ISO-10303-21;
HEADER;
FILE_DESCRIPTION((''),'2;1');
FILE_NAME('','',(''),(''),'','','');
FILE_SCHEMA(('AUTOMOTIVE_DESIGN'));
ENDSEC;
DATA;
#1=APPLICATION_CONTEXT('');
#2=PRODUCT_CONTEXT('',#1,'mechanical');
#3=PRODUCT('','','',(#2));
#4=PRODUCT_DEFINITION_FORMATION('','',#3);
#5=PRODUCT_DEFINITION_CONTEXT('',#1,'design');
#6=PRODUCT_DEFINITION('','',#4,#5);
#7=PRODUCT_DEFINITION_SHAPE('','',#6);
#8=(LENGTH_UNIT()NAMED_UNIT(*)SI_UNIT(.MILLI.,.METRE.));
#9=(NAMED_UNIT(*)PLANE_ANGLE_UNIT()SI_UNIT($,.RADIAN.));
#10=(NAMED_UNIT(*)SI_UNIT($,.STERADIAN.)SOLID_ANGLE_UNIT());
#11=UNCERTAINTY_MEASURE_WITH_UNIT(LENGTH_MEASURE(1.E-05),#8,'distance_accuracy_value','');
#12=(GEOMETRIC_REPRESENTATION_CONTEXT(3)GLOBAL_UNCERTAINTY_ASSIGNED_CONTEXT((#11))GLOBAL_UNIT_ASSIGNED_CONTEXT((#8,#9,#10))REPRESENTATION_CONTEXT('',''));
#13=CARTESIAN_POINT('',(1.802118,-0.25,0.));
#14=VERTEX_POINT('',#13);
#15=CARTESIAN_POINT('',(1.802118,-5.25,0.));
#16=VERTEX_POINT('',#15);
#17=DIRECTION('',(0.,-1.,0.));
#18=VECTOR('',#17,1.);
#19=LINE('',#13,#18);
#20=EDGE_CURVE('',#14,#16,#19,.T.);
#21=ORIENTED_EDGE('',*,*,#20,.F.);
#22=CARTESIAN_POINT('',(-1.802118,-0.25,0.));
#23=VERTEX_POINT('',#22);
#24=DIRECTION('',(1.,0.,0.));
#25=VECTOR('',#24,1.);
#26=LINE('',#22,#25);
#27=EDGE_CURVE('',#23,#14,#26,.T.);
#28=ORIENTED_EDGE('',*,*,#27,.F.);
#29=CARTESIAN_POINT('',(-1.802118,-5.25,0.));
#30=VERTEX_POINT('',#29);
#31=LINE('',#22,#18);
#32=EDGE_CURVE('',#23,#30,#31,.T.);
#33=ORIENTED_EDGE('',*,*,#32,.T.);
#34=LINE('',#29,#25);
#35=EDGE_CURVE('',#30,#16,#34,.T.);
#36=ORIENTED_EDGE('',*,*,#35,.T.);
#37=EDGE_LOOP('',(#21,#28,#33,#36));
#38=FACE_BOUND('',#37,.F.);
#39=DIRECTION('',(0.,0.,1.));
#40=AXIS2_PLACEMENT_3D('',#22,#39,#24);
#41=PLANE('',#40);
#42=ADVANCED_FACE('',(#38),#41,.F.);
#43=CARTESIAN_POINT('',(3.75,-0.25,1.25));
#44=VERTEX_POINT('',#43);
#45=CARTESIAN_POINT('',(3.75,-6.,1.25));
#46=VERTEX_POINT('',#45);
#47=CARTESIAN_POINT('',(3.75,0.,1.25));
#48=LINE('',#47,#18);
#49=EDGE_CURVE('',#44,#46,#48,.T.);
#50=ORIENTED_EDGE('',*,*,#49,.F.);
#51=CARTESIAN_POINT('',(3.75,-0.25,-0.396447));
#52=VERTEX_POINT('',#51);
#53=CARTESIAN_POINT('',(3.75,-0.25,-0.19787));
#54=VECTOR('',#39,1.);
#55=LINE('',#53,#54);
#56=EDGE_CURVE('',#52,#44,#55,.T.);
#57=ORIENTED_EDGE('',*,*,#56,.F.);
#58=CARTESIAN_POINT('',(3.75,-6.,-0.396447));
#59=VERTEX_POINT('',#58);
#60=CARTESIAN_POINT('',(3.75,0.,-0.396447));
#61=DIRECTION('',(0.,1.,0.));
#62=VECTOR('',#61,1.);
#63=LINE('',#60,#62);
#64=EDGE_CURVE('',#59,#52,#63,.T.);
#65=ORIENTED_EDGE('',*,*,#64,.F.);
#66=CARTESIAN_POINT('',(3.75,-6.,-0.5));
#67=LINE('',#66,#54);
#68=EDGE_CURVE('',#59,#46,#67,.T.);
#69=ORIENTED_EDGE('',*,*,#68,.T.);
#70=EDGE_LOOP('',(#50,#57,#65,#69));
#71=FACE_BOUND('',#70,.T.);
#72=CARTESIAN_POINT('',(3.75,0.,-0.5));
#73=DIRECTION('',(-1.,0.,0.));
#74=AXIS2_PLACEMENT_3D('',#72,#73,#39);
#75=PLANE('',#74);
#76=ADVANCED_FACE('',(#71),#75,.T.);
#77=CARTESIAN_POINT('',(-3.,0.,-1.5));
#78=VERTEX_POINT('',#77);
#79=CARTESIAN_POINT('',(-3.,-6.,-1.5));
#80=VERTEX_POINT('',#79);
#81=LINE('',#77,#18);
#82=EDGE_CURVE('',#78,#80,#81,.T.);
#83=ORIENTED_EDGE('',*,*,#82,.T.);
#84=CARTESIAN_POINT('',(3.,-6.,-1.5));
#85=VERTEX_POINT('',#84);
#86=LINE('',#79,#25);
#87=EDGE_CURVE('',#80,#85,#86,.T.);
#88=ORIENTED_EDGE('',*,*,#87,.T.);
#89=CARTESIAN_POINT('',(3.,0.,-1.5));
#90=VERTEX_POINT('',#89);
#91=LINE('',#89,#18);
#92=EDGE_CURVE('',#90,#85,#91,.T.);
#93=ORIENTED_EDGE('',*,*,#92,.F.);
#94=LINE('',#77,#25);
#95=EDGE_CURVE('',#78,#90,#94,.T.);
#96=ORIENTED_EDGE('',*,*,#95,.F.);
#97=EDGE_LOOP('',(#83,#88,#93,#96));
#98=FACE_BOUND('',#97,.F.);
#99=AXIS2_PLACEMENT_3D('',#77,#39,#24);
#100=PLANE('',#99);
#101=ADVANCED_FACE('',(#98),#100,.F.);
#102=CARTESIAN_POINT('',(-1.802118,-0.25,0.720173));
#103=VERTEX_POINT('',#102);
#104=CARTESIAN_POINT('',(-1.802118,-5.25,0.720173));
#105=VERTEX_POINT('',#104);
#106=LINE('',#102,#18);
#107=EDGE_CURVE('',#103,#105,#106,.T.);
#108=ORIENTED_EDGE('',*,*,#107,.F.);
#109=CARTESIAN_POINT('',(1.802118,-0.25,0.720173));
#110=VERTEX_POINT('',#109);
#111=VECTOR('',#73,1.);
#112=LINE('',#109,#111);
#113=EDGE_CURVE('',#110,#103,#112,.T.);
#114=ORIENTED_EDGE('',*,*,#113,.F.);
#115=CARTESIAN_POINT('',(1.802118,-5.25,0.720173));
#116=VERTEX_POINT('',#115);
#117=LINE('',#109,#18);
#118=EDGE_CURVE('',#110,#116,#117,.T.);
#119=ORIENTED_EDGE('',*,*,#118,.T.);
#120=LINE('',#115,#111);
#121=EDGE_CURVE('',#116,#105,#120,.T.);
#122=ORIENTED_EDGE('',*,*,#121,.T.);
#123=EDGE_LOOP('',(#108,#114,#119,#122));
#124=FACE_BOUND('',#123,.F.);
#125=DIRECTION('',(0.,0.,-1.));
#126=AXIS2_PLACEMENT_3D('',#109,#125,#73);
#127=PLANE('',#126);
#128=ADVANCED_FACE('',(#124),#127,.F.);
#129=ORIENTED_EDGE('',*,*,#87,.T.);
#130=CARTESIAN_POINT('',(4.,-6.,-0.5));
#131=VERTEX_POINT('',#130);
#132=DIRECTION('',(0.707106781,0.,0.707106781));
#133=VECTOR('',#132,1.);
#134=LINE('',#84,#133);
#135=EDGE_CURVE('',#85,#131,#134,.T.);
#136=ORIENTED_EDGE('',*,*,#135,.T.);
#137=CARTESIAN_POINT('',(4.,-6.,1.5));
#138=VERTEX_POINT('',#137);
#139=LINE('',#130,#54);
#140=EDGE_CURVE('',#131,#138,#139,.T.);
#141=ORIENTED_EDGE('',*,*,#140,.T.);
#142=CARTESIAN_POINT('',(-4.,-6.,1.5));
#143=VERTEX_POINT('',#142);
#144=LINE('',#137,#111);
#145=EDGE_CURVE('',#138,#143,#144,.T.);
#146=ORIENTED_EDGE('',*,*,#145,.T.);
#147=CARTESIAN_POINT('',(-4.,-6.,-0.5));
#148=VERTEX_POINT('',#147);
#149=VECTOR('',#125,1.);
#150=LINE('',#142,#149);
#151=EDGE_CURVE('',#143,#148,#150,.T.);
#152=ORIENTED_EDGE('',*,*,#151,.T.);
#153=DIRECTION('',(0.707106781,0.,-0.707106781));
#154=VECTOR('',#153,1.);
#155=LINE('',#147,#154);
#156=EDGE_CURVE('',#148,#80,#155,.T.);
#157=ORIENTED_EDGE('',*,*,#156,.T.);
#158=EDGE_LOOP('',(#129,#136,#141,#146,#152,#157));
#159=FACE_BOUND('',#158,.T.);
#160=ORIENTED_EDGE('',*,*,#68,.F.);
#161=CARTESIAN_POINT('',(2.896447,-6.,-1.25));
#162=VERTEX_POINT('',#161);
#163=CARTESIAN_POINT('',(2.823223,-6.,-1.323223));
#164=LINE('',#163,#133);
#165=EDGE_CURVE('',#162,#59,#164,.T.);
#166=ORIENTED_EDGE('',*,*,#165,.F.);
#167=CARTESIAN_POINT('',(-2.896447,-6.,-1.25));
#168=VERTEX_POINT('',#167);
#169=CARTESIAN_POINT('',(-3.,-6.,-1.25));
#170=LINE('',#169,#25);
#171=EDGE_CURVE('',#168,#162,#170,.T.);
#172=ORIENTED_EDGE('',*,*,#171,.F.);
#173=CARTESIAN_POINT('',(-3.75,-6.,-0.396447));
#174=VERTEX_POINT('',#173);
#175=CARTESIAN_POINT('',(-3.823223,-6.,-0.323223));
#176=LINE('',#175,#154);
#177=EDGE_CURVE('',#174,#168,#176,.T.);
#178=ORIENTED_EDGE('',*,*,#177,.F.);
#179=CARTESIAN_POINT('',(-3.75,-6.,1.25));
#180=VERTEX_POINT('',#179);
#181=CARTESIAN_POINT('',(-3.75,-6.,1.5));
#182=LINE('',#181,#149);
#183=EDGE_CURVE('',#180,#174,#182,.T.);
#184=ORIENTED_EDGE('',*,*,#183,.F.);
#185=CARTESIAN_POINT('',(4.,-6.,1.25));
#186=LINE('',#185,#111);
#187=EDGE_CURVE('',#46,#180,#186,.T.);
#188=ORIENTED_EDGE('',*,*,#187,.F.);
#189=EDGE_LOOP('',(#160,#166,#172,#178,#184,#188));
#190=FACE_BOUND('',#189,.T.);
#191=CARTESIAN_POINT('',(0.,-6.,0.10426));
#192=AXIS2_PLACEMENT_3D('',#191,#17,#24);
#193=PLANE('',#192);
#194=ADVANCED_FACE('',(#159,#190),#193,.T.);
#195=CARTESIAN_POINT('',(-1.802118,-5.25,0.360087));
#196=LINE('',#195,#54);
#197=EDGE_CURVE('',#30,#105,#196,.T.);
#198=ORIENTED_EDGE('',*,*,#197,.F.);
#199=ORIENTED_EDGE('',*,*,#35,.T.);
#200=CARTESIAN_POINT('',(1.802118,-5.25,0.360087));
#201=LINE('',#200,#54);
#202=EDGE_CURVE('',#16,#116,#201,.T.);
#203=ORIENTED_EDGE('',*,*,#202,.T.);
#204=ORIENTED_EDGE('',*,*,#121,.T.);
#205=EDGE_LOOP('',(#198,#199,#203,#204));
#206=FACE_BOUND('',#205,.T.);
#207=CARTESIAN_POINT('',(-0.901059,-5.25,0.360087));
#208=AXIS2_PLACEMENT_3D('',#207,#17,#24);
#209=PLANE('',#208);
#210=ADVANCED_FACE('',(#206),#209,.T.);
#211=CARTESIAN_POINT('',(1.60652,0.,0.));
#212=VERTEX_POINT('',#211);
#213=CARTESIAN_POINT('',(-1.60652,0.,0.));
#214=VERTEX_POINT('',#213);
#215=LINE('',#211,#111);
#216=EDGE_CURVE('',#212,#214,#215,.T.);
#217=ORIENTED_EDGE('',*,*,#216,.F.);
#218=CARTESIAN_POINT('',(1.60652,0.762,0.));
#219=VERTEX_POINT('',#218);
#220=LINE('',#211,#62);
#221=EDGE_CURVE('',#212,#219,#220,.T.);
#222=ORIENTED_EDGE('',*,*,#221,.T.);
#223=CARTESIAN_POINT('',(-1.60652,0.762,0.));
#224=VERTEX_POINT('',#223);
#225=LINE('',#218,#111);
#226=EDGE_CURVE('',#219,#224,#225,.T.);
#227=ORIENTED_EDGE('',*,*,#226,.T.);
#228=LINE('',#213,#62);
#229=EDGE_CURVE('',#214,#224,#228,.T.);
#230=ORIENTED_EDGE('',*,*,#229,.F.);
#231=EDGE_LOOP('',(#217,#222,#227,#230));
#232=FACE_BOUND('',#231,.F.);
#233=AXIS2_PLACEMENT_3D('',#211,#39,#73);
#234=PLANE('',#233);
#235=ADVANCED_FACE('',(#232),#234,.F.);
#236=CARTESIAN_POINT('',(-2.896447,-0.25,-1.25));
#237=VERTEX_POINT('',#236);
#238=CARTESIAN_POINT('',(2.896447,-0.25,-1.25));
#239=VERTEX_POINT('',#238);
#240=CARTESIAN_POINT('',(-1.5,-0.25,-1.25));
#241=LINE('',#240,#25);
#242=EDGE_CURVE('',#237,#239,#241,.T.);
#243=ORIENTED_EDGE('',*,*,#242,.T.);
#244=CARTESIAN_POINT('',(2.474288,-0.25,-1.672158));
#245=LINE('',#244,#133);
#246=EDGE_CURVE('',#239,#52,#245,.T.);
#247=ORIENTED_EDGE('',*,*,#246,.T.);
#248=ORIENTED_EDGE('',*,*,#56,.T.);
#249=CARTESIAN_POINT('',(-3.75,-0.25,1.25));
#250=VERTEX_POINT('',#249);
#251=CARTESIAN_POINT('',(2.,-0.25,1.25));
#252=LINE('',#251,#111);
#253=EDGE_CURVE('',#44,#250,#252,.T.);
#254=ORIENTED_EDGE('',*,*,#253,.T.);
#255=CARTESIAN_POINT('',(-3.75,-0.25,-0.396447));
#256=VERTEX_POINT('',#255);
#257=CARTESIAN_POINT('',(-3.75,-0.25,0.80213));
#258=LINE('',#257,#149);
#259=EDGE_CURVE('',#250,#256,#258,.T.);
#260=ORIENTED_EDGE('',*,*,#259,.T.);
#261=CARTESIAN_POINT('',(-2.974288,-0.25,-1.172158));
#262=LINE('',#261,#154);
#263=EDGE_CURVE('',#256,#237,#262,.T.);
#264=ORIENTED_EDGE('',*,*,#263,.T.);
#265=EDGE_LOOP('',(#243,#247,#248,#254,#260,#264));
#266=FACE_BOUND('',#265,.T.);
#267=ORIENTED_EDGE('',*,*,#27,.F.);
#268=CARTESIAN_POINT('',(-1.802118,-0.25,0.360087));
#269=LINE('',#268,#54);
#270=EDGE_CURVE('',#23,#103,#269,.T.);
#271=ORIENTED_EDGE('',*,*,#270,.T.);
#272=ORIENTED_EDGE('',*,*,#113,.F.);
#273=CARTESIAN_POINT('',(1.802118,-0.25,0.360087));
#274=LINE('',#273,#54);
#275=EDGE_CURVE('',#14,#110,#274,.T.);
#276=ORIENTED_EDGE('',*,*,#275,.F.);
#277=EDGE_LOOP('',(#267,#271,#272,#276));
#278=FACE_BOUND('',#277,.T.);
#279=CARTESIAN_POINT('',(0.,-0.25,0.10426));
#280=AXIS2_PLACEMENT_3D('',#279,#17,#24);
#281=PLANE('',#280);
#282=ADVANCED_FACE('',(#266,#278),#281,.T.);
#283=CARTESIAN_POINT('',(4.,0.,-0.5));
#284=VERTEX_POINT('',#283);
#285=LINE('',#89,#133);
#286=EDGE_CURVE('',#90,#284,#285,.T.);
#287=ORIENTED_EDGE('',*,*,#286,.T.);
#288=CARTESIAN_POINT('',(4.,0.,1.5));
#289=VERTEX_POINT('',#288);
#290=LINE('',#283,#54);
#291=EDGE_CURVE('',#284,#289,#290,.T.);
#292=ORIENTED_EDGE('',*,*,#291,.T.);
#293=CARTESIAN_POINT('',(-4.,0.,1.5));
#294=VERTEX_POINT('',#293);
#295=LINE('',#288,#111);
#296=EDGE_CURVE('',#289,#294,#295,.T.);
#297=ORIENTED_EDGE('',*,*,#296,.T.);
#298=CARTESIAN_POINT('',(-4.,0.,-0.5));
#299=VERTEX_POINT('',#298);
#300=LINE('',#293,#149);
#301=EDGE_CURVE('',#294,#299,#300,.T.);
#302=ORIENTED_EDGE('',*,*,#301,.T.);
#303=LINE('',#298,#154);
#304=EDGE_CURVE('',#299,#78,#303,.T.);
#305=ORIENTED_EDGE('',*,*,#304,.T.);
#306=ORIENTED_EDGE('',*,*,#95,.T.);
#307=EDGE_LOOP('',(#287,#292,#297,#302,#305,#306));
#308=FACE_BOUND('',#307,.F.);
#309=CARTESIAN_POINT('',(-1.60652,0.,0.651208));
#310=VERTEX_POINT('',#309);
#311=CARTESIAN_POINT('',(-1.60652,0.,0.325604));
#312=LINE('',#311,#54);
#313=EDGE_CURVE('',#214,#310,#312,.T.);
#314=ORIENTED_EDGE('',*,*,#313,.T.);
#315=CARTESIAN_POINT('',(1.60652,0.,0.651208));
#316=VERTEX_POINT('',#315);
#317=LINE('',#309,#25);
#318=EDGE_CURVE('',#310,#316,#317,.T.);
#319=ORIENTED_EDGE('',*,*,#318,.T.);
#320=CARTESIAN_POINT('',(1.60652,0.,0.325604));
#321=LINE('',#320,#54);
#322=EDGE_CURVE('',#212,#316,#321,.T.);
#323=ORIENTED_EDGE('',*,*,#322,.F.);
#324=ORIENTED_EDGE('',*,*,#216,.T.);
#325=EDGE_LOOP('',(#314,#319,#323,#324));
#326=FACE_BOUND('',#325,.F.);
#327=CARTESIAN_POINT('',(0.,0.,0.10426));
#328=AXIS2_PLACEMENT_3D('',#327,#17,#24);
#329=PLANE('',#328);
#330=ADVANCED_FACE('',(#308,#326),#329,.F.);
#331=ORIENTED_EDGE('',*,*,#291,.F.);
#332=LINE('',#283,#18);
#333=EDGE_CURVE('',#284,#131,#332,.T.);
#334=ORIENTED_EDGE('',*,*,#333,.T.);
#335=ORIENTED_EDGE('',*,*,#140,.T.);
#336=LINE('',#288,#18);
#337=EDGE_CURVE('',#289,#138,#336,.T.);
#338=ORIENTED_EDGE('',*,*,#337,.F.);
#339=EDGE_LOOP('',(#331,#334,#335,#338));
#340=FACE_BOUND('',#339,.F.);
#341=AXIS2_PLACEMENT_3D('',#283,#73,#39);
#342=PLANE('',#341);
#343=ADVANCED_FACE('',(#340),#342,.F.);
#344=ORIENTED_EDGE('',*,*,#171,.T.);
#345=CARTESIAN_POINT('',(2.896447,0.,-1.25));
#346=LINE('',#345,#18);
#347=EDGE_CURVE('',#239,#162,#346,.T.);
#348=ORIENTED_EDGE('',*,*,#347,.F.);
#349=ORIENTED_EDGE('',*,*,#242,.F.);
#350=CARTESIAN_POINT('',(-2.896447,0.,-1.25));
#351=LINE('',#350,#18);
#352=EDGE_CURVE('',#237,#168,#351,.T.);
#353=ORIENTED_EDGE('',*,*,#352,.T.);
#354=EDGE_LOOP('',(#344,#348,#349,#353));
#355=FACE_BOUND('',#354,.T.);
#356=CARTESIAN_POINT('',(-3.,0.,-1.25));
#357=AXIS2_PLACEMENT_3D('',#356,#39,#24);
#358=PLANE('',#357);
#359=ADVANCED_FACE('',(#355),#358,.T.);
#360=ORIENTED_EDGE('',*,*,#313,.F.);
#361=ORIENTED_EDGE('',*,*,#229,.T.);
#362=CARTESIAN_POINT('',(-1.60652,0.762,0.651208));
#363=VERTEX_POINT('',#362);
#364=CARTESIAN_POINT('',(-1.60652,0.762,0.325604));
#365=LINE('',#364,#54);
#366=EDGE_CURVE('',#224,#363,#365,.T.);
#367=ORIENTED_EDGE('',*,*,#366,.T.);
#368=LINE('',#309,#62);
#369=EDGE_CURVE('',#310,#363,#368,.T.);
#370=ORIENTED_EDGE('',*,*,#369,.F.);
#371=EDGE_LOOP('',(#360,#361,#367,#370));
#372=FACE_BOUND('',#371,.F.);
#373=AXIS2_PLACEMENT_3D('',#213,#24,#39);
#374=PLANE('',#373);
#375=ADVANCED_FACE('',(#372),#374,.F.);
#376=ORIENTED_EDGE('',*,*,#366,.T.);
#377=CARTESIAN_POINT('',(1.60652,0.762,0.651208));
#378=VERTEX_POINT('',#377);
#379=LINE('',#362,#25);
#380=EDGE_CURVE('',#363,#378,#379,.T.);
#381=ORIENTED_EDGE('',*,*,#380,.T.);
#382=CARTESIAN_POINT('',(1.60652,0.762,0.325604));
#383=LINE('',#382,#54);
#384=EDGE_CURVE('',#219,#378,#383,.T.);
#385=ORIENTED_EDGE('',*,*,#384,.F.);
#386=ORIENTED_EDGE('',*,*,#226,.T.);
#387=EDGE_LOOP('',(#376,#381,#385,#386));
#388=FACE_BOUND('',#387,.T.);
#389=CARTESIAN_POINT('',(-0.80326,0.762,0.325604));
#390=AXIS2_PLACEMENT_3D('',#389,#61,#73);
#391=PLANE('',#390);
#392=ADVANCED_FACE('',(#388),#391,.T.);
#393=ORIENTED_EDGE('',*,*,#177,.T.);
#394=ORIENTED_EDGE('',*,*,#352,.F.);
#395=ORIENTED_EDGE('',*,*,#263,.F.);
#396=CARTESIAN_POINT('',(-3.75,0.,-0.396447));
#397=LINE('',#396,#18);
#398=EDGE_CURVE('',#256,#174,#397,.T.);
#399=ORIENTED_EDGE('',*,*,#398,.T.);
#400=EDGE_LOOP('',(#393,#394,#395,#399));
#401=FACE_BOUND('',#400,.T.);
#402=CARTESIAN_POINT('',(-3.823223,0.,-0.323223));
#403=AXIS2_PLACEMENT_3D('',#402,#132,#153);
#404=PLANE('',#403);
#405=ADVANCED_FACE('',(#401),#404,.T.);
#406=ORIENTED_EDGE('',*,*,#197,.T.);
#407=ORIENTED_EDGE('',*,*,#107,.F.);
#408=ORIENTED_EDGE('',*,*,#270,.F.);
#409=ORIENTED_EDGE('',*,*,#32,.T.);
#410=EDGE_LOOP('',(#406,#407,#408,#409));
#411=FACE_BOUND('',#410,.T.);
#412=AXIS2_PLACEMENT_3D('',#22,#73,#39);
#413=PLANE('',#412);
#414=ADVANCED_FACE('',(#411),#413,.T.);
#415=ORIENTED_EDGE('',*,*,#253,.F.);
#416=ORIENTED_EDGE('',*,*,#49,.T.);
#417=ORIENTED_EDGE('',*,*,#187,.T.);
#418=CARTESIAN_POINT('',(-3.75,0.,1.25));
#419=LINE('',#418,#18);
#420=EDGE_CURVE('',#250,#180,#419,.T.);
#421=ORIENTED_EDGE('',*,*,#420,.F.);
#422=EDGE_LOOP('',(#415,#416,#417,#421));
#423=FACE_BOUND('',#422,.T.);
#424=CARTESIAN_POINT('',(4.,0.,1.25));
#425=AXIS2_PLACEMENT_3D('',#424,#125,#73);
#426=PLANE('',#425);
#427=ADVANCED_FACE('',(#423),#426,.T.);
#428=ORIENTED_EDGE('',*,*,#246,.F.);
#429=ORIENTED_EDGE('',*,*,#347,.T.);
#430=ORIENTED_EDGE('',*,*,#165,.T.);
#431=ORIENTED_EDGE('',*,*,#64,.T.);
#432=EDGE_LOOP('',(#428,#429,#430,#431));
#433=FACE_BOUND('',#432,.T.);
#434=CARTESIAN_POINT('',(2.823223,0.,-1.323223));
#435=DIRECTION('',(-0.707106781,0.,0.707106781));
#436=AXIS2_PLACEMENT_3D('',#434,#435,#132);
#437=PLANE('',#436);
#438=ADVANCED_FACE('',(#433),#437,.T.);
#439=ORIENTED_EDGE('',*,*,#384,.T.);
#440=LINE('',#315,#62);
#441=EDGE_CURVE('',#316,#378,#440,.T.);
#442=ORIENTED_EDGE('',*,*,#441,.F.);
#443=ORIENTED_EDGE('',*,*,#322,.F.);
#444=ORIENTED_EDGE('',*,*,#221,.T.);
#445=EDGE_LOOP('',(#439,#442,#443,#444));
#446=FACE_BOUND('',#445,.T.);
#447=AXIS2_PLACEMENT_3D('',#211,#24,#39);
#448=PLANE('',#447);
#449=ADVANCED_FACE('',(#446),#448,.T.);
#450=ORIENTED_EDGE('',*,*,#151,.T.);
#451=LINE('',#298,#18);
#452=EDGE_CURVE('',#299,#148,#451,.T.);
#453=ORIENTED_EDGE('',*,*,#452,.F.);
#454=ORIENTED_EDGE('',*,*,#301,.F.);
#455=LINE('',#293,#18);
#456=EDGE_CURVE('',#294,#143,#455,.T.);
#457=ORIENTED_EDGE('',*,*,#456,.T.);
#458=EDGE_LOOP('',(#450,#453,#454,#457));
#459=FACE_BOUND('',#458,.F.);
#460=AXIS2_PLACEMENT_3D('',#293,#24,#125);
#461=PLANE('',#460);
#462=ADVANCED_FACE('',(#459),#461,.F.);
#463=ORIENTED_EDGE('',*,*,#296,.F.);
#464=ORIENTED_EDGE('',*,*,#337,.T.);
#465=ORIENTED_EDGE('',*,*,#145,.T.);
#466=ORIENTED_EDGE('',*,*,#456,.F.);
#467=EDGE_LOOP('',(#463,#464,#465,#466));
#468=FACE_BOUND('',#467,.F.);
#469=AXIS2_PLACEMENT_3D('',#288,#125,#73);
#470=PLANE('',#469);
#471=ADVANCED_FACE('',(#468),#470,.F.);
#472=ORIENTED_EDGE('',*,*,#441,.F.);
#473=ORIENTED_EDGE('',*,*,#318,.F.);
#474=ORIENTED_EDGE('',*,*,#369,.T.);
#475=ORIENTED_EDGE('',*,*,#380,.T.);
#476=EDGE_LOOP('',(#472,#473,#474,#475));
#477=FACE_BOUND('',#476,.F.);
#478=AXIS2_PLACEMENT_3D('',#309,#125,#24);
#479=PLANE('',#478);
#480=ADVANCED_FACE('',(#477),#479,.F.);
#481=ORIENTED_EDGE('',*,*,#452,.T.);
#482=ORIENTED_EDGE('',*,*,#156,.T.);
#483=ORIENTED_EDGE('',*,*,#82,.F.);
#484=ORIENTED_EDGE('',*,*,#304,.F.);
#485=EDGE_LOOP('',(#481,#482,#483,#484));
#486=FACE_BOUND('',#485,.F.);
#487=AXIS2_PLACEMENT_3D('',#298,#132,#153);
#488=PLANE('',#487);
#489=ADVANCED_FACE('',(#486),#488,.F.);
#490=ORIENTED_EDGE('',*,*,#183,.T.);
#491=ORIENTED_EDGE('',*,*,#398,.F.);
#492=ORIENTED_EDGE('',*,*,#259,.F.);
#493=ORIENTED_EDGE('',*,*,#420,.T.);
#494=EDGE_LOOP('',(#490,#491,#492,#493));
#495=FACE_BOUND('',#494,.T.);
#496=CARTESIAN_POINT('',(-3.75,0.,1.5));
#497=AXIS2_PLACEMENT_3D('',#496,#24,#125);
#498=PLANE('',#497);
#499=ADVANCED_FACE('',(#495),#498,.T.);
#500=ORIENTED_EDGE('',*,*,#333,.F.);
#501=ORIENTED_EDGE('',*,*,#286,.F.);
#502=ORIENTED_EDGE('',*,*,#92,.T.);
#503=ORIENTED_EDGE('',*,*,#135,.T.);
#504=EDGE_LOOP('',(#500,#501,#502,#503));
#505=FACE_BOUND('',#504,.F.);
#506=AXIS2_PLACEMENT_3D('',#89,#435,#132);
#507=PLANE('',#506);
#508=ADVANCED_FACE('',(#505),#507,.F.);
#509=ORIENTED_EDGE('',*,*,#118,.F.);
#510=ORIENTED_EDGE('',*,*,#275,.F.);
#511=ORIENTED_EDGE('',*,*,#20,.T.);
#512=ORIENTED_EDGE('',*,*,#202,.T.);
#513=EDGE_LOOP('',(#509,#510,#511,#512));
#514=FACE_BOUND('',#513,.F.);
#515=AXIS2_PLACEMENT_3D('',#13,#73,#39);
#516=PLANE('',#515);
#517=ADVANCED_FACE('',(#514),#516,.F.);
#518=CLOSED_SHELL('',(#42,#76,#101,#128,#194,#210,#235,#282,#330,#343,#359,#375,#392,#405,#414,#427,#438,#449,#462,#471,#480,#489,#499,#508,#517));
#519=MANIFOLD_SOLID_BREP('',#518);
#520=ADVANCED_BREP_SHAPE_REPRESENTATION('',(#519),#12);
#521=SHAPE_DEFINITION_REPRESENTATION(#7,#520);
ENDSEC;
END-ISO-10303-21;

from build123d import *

# Parameters (mm, degrees)
F1_DEPTH = 6
F2_T     = -0.25
F3_W     = 1.8021183787
F3_H     = 0.7201734115
F4_DEPTH = 5
F5_W     = 1.6065204982
F5_H     = 0.6512082182
F6_DEPTH = 0.762


with BuildPart() as f1:
    # F0 (on Front) → F1 (new body)
    with BuildSketch(Plane.XZ):
        Polygon((4, -0.5), (4, 1.5), (-4, 1.5), (-4, -0.5), (-3, -1.5), (3, -1.5), align=None)
    extrude(amount=F1_DEPTH)

    # F2
    f2_openings = [f1.faces().sort_by_distance(p)[0] for p in [
        (0, -6, 0.050725),
    ]]
    offset(amount=F2_T, openings=f2_openings)

    # F3 (on face) → F4 (join)
    with BuildSketch(Plane.XZ.offset(0.25)):
        with Locations((-0.9010591893, 0.3600867058)):
            Rectangle(F3_W, F3_H)
        with Locations((0.9010591893, 0.3600867058)):
            Rectangle(F3_W, F3_H)
    extrude(amount=F4_DEPTH)

    # F5 (on face) → F6 (join)
    with BuildSketch(Plane(origin=(0, 0, 0), x_dir=(-1, 0, 0), z_dir=(0, 1, 0))):
        with Locations((0.8032602491, 0.3256041091)):
            Rectangle(F5_W, F5_H)
        with Locations((-0.8032602491, 0.3256041091)):
            Rectangle(F5_W, F5_H)
    extrude(amount=F6_DEPTH)


solid = f1.part
